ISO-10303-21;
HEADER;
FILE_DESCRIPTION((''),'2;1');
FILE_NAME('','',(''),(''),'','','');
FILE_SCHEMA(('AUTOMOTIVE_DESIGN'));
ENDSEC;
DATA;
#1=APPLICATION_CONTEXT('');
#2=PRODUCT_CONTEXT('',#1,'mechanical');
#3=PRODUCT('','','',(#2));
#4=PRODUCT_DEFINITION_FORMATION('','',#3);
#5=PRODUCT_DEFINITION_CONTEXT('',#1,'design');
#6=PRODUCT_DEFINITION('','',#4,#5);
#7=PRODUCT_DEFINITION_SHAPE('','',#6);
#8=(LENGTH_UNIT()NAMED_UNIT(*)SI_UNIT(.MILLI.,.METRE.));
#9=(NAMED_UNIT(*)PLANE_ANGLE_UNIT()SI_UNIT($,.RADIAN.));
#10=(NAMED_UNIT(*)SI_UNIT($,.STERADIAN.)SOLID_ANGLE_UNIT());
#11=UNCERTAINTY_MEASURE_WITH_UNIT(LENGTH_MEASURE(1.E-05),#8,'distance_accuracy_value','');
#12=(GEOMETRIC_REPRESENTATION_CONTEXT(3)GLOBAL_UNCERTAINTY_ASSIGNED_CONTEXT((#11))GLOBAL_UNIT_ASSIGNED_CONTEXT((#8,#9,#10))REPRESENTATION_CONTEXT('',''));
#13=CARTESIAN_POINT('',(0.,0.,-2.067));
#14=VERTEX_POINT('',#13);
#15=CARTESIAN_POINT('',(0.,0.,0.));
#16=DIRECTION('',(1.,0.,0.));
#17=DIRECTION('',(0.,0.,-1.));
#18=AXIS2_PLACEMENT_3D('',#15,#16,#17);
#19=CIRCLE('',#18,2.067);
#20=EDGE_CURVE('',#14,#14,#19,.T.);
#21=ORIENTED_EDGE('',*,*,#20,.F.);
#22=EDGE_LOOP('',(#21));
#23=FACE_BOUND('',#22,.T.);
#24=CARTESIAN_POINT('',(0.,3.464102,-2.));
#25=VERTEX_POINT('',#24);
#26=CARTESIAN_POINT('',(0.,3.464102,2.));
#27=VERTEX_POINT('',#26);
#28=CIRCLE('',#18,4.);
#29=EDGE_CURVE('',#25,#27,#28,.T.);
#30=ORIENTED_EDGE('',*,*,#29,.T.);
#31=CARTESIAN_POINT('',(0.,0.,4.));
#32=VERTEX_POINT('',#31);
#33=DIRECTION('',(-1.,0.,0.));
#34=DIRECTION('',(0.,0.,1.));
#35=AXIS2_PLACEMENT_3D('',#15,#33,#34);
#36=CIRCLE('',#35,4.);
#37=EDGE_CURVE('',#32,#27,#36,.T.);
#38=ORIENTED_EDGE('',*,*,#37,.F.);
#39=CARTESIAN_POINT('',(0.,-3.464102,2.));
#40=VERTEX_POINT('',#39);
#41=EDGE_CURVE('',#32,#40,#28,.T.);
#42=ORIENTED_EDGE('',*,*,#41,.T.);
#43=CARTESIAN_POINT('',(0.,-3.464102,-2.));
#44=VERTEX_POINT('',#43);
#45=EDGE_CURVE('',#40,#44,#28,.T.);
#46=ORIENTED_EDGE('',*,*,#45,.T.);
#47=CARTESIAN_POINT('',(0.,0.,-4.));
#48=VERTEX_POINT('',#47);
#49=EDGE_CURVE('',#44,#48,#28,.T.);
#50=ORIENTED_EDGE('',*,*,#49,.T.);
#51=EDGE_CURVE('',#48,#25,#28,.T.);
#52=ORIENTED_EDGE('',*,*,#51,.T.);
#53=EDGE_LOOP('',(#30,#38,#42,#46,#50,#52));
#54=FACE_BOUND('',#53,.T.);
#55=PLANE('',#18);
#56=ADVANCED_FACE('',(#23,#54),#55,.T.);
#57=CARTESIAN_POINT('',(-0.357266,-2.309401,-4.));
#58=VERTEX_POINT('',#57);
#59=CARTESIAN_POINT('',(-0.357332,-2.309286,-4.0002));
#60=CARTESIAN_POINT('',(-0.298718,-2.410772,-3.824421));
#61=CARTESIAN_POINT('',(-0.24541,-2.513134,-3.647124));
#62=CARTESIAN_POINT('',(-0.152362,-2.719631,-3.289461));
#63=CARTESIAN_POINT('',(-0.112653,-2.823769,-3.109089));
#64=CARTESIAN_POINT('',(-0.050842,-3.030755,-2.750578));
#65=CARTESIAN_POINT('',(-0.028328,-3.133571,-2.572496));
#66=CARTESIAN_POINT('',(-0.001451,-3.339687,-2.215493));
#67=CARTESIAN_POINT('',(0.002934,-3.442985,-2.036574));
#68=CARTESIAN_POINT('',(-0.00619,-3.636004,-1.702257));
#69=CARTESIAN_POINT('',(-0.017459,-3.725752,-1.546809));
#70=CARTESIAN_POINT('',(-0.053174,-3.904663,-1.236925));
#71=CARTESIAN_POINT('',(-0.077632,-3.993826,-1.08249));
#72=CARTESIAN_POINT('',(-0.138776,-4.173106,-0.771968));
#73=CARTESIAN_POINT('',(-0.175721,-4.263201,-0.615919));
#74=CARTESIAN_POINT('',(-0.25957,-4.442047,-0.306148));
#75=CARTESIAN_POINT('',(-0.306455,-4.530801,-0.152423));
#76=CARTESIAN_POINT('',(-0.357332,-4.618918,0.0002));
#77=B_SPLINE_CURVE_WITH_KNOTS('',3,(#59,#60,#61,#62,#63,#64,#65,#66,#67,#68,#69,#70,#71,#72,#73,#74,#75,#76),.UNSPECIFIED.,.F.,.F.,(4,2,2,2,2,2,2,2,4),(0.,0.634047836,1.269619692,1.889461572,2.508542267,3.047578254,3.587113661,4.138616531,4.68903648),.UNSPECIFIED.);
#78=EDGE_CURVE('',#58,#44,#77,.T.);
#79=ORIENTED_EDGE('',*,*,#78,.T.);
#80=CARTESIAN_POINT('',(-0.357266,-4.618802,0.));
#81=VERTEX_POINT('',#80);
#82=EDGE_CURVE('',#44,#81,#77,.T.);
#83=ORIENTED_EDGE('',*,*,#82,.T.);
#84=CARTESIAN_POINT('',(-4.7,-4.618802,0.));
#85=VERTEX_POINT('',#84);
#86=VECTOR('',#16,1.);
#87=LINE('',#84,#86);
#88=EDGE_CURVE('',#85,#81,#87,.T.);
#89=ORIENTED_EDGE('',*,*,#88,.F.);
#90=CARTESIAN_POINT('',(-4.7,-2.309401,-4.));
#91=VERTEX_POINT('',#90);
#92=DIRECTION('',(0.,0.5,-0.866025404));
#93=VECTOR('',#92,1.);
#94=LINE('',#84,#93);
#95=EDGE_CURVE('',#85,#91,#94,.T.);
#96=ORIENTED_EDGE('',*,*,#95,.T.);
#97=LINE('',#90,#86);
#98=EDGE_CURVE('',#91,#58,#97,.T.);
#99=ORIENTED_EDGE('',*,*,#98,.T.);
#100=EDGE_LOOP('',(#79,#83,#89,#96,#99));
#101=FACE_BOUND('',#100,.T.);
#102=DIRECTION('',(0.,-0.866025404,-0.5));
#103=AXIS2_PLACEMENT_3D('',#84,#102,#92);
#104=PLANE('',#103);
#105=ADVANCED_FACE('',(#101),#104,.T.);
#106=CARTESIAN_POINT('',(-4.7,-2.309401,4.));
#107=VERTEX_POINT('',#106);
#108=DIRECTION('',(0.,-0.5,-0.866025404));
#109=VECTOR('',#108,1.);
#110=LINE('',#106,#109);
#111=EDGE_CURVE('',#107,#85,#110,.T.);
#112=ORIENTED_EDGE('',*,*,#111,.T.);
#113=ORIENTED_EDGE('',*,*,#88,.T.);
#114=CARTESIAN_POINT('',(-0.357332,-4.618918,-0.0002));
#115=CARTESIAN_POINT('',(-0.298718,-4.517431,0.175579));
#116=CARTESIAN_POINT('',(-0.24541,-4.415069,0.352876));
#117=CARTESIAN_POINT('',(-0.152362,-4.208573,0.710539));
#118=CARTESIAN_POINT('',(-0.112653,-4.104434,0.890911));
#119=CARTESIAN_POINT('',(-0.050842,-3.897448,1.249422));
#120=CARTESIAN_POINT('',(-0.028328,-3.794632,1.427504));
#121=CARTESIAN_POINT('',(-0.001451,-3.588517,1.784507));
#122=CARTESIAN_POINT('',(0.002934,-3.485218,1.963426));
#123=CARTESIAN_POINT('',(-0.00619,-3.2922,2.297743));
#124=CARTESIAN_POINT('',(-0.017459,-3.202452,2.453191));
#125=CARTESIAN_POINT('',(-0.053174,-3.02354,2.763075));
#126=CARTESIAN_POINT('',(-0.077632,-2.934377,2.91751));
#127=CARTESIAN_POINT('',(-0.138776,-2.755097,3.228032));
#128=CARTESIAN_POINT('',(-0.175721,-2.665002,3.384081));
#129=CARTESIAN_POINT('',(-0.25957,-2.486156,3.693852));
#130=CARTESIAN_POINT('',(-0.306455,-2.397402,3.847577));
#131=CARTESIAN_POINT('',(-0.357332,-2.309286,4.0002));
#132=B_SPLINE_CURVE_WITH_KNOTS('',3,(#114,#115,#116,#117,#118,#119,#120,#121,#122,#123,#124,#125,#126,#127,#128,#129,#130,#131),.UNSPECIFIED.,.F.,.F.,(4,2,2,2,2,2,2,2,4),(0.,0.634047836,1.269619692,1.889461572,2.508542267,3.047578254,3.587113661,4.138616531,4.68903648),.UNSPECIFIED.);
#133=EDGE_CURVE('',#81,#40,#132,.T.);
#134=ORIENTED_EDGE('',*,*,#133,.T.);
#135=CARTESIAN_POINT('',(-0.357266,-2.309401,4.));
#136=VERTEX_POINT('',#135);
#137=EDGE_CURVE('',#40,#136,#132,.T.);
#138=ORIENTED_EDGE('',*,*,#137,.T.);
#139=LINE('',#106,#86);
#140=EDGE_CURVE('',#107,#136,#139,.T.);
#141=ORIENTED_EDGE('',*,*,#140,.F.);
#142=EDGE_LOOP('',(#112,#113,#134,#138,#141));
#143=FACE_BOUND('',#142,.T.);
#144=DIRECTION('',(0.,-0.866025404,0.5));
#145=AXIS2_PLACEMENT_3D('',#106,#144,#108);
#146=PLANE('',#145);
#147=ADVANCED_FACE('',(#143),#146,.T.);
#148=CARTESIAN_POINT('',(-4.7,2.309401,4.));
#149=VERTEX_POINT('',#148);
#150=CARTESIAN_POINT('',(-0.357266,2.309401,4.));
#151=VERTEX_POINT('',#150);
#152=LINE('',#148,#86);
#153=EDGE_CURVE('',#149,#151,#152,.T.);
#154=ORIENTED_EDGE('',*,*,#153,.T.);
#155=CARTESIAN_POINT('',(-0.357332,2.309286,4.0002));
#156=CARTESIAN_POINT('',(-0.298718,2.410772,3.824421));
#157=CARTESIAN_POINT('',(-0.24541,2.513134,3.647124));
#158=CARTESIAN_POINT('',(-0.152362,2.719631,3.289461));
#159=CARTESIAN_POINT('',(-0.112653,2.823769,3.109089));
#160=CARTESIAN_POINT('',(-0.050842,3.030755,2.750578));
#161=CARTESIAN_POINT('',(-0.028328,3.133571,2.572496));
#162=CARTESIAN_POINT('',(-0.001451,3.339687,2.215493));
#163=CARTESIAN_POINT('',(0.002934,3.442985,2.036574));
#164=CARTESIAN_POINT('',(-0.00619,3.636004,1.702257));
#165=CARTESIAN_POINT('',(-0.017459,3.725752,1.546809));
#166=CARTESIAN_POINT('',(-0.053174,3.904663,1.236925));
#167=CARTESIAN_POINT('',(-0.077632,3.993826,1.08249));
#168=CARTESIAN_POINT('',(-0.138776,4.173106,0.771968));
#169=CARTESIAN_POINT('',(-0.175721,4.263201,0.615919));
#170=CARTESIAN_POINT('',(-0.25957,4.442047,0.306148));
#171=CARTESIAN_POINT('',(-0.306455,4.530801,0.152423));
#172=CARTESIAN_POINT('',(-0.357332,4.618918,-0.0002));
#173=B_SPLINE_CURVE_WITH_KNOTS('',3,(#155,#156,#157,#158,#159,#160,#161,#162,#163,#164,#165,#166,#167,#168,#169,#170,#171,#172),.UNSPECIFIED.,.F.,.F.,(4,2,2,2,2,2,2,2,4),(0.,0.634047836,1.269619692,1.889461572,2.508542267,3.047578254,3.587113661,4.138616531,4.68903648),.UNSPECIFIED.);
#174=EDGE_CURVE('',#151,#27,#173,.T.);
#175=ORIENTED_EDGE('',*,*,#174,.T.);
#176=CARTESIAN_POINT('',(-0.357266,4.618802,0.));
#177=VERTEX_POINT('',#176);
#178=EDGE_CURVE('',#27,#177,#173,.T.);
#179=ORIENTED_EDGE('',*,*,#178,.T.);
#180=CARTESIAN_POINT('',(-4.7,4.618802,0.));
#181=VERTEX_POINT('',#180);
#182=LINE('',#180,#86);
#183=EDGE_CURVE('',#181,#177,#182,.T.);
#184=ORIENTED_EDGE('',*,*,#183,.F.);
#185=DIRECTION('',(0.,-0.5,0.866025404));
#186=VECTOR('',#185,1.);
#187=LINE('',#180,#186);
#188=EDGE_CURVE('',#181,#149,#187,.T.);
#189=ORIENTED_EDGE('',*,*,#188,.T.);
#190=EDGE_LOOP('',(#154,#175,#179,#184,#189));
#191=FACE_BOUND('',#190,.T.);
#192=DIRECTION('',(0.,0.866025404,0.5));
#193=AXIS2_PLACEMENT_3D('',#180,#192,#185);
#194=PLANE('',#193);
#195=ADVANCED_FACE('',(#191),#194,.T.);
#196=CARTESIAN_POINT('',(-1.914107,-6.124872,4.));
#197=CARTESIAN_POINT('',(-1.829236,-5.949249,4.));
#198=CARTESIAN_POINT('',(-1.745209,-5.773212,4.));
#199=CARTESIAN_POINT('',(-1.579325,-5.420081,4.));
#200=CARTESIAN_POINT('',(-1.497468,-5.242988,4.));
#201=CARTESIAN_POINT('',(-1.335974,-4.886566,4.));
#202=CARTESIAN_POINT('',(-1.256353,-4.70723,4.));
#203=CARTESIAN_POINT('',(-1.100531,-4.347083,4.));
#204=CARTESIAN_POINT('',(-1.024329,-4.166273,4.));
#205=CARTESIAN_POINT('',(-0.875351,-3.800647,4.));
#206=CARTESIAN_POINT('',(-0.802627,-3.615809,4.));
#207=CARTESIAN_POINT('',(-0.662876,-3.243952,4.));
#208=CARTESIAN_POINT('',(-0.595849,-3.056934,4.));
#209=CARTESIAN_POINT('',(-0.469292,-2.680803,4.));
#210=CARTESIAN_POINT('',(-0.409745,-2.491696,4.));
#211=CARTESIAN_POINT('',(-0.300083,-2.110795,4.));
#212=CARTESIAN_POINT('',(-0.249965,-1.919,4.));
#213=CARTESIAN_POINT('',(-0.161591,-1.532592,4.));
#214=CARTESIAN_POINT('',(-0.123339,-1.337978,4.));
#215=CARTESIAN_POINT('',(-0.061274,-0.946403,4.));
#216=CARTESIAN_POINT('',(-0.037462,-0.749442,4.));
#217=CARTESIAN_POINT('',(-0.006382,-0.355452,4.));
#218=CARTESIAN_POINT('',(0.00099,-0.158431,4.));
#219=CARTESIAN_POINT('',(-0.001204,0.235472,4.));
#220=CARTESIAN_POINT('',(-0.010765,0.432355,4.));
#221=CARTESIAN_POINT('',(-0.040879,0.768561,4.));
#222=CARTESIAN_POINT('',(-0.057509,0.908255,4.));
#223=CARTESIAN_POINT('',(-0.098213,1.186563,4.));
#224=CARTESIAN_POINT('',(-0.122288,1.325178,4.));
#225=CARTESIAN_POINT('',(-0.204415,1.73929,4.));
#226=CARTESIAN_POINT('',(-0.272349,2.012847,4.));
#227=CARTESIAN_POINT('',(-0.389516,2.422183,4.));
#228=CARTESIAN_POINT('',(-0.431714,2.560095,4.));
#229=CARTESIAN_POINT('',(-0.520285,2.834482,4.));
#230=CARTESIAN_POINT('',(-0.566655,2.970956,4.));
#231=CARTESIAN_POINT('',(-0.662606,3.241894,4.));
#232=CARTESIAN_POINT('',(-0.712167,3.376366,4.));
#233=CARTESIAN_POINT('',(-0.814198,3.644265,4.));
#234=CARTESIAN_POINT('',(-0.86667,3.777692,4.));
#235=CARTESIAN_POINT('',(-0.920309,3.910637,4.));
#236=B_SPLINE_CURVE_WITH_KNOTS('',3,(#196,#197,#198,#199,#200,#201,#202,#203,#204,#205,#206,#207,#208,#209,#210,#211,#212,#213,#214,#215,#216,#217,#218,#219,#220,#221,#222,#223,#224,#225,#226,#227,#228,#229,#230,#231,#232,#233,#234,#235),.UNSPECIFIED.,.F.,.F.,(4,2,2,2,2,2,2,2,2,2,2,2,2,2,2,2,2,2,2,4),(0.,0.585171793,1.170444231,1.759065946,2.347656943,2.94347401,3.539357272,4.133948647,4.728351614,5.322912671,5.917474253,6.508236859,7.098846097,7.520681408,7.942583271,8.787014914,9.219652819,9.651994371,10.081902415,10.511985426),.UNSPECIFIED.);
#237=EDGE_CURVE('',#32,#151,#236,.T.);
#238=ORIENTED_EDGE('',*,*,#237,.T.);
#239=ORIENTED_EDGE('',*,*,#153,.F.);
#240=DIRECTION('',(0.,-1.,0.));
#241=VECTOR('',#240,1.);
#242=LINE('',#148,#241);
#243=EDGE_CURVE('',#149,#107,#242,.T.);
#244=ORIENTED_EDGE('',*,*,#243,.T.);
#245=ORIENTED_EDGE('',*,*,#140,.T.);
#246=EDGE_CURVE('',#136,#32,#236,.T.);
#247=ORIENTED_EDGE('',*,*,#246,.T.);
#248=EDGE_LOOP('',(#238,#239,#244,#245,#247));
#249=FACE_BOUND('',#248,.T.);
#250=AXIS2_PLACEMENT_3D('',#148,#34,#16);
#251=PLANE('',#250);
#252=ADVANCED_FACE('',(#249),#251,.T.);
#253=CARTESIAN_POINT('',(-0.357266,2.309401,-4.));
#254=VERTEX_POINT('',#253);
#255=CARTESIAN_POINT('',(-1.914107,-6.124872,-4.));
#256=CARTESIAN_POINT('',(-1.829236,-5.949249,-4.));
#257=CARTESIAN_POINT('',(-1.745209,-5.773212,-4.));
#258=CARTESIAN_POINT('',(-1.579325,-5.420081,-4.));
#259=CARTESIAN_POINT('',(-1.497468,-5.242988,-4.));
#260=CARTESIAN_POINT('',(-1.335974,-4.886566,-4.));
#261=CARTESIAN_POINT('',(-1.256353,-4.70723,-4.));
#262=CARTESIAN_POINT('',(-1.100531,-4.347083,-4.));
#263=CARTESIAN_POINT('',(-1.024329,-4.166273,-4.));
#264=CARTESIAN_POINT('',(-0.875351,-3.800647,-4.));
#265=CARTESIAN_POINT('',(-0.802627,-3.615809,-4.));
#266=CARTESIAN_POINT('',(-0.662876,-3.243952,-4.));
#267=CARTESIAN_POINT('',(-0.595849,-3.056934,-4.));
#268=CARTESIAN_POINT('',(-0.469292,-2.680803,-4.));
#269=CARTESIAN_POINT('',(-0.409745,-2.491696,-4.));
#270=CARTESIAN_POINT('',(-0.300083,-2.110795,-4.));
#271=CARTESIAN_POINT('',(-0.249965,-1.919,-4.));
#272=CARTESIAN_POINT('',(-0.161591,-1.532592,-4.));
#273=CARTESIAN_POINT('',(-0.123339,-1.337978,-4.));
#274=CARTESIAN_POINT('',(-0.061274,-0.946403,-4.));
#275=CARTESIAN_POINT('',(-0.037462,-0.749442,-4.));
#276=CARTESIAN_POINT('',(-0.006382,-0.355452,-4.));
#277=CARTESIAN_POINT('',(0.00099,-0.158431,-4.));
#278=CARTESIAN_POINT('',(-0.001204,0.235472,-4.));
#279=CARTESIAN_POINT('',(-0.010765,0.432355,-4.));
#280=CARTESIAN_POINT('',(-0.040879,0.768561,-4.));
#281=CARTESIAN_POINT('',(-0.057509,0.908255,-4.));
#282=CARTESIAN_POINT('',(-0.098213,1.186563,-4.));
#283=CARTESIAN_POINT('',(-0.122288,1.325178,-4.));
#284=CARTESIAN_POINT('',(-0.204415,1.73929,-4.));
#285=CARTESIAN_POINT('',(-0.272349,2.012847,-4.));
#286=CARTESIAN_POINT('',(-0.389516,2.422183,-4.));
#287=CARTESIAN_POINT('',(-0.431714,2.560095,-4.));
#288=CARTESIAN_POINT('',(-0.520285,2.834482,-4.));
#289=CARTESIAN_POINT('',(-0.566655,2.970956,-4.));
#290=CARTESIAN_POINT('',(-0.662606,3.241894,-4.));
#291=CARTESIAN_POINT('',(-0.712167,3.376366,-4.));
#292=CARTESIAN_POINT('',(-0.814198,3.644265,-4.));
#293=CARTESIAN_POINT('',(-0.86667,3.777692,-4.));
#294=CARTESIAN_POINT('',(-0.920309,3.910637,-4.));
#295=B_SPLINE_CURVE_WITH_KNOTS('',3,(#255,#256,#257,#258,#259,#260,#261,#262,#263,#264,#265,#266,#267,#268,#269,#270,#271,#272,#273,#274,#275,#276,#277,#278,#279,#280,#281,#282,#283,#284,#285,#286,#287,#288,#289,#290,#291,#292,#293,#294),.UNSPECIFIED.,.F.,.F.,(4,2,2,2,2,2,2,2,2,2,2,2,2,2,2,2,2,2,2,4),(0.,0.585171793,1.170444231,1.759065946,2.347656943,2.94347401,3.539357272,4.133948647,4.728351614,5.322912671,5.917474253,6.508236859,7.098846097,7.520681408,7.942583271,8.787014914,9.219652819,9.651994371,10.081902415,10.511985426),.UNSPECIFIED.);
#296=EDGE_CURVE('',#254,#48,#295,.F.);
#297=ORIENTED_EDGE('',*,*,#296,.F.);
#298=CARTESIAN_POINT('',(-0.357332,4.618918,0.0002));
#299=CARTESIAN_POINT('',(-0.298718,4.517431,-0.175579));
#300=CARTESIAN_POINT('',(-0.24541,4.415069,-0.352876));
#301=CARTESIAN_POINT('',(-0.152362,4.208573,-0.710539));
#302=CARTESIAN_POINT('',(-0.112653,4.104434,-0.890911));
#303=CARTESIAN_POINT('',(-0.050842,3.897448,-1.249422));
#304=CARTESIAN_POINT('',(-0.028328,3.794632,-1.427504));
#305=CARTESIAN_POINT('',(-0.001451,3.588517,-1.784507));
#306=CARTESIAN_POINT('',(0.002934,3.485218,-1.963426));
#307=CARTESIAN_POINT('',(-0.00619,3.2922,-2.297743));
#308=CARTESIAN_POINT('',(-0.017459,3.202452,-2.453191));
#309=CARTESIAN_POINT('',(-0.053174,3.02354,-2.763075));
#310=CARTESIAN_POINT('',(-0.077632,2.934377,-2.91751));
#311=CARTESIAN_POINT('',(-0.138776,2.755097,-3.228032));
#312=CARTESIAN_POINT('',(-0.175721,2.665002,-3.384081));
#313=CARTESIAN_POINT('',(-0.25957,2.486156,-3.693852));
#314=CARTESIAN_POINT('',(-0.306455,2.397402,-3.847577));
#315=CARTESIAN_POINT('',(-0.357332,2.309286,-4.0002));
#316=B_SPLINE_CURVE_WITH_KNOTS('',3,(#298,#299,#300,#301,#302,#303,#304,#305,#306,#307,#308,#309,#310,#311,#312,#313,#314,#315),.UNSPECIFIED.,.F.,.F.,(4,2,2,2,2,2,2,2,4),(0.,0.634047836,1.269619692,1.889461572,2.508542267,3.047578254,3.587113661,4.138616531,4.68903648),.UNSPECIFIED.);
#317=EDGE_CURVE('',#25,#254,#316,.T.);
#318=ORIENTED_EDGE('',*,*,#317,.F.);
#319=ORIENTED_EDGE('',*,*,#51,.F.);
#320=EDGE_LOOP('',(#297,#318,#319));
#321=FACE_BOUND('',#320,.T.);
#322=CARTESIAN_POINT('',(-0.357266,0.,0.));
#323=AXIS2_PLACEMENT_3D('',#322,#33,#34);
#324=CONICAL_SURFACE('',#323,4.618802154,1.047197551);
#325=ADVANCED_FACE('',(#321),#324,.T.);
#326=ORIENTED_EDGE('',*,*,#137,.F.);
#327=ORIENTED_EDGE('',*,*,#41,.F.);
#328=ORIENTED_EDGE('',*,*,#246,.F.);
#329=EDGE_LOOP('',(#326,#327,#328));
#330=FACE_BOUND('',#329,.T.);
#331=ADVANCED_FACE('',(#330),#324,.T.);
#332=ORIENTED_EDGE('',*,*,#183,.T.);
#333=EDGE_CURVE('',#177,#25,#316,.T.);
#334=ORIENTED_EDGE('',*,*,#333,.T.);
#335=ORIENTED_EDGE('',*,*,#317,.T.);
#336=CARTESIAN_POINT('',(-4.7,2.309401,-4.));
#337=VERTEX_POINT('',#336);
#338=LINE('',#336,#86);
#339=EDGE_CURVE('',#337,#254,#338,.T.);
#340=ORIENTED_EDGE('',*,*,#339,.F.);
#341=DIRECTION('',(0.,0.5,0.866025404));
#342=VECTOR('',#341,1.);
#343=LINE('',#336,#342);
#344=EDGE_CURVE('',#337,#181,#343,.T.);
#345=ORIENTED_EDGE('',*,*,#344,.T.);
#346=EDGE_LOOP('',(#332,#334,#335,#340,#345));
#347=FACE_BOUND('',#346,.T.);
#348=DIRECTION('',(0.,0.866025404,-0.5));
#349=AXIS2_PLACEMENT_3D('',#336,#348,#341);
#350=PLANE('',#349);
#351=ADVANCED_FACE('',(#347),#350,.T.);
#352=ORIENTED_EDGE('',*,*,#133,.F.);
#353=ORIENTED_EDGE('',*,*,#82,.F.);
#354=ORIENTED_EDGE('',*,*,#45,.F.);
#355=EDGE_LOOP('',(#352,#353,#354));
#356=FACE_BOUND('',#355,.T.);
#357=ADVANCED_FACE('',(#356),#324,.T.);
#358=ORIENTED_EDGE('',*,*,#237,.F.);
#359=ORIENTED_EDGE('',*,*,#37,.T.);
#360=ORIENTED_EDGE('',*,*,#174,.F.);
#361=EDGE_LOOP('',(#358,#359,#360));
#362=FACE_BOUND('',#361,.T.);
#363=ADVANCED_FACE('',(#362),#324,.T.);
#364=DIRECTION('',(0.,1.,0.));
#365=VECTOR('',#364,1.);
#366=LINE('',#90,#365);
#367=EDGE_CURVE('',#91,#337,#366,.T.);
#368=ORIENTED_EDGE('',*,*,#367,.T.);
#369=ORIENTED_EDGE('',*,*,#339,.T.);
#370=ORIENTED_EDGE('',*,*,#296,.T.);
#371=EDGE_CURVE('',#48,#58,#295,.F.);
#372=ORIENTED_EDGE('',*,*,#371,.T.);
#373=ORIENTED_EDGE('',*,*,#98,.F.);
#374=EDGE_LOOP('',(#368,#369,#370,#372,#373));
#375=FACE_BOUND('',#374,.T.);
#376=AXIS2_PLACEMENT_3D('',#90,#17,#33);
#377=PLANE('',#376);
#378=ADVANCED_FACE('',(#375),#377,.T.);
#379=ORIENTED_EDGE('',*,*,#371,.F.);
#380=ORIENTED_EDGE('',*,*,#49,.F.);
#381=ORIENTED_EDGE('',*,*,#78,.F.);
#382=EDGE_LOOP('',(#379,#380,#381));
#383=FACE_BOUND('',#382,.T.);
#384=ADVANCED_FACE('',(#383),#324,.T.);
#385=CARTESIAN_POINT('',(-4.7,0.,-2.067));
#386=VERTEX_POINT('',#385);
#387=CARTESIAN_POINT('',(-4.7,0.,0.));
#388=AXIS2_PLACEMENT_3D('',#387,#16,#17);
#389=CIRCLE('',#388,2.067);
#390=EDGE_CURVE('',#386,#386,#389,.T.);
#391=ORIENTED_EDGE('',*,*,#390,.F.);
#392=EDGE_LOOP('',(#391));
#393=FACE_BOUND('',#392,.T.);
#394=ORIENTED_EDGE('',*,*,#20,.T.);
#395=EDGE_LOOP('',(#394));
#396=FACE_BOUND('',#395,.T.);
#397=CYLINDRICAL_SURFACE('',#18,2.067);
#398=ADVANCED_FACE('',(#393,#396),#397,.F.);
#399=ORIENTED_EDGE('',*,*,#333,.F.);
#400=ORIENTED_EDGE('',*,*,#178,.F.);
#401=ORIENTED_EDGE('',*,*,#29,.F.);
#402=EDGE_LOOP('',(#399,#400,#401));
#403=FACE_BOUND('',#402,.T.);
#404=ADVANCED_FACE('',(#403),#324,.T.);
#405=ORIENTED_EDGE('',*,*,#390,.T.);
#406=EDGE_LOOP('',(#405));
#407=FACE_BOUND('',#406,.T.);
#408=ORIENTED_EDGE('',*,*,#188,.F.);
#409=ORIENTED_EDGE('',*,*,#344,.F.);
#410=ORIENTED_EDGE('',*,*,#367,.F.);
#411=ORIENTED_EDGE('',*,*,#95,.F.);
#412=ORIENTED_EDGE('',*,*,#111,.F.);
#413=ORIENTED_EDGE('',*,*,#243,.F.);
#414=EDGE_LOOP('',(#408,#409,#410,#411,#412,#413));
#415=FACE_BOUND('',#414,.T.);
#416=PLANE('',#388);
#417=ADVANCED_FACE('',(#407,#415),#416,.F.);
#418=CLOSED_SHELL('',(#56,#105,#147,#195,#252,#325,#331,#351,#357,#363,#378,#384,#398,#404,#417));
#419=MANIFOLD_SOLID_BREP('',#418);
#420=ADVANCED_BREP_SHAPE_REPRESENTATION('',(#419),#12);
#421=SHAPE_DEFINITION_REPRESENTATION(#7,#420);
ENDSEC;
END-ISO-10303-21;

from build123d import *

# Parameters (mm, degrees)
BOSS_EXTRUDE1_DEPTH = 4.7
TAP1_D              = 4.134


with BuildPart() as part:
    # Sketch1 → Boss-Extrude1 (new body)
    with BuildSketch(Plane(origin=(0, 0, 0), x_dir=(0, 0, -1), z_dir=(1, 0, 0))):
        Polygon((0, 4.618802154), (-4, 2.309401077), (-4, -2.309401077), (0, -4.618802154), (4, -2.309401077), (4, 2.309401077), align=None)
    extrude(amount=-BOSS_EXTRUDE1_DEPTH)

    # Sketch2 → Cut-Revolve1 (revolve, cut)
    with BuildSketch(Plane.XY):
        Polygon((0, 4), (-0.35726559, 4.618802154), (0, 4.618802154), align=None)
    revolve(axis=Axis((-0.35726559, 0, 0), (1, 0, 0)), mode=Mode.SUBTRACT)

    # Tap1 (through all)
    with Locations(Plane(origin=(0, 0, 0), x_dir=(0, 0, -1), z_dir=(1, 0, 0))):
        with Locations((0, 0)):
            Hole(TAP1_D / 2)


solid = part.part
